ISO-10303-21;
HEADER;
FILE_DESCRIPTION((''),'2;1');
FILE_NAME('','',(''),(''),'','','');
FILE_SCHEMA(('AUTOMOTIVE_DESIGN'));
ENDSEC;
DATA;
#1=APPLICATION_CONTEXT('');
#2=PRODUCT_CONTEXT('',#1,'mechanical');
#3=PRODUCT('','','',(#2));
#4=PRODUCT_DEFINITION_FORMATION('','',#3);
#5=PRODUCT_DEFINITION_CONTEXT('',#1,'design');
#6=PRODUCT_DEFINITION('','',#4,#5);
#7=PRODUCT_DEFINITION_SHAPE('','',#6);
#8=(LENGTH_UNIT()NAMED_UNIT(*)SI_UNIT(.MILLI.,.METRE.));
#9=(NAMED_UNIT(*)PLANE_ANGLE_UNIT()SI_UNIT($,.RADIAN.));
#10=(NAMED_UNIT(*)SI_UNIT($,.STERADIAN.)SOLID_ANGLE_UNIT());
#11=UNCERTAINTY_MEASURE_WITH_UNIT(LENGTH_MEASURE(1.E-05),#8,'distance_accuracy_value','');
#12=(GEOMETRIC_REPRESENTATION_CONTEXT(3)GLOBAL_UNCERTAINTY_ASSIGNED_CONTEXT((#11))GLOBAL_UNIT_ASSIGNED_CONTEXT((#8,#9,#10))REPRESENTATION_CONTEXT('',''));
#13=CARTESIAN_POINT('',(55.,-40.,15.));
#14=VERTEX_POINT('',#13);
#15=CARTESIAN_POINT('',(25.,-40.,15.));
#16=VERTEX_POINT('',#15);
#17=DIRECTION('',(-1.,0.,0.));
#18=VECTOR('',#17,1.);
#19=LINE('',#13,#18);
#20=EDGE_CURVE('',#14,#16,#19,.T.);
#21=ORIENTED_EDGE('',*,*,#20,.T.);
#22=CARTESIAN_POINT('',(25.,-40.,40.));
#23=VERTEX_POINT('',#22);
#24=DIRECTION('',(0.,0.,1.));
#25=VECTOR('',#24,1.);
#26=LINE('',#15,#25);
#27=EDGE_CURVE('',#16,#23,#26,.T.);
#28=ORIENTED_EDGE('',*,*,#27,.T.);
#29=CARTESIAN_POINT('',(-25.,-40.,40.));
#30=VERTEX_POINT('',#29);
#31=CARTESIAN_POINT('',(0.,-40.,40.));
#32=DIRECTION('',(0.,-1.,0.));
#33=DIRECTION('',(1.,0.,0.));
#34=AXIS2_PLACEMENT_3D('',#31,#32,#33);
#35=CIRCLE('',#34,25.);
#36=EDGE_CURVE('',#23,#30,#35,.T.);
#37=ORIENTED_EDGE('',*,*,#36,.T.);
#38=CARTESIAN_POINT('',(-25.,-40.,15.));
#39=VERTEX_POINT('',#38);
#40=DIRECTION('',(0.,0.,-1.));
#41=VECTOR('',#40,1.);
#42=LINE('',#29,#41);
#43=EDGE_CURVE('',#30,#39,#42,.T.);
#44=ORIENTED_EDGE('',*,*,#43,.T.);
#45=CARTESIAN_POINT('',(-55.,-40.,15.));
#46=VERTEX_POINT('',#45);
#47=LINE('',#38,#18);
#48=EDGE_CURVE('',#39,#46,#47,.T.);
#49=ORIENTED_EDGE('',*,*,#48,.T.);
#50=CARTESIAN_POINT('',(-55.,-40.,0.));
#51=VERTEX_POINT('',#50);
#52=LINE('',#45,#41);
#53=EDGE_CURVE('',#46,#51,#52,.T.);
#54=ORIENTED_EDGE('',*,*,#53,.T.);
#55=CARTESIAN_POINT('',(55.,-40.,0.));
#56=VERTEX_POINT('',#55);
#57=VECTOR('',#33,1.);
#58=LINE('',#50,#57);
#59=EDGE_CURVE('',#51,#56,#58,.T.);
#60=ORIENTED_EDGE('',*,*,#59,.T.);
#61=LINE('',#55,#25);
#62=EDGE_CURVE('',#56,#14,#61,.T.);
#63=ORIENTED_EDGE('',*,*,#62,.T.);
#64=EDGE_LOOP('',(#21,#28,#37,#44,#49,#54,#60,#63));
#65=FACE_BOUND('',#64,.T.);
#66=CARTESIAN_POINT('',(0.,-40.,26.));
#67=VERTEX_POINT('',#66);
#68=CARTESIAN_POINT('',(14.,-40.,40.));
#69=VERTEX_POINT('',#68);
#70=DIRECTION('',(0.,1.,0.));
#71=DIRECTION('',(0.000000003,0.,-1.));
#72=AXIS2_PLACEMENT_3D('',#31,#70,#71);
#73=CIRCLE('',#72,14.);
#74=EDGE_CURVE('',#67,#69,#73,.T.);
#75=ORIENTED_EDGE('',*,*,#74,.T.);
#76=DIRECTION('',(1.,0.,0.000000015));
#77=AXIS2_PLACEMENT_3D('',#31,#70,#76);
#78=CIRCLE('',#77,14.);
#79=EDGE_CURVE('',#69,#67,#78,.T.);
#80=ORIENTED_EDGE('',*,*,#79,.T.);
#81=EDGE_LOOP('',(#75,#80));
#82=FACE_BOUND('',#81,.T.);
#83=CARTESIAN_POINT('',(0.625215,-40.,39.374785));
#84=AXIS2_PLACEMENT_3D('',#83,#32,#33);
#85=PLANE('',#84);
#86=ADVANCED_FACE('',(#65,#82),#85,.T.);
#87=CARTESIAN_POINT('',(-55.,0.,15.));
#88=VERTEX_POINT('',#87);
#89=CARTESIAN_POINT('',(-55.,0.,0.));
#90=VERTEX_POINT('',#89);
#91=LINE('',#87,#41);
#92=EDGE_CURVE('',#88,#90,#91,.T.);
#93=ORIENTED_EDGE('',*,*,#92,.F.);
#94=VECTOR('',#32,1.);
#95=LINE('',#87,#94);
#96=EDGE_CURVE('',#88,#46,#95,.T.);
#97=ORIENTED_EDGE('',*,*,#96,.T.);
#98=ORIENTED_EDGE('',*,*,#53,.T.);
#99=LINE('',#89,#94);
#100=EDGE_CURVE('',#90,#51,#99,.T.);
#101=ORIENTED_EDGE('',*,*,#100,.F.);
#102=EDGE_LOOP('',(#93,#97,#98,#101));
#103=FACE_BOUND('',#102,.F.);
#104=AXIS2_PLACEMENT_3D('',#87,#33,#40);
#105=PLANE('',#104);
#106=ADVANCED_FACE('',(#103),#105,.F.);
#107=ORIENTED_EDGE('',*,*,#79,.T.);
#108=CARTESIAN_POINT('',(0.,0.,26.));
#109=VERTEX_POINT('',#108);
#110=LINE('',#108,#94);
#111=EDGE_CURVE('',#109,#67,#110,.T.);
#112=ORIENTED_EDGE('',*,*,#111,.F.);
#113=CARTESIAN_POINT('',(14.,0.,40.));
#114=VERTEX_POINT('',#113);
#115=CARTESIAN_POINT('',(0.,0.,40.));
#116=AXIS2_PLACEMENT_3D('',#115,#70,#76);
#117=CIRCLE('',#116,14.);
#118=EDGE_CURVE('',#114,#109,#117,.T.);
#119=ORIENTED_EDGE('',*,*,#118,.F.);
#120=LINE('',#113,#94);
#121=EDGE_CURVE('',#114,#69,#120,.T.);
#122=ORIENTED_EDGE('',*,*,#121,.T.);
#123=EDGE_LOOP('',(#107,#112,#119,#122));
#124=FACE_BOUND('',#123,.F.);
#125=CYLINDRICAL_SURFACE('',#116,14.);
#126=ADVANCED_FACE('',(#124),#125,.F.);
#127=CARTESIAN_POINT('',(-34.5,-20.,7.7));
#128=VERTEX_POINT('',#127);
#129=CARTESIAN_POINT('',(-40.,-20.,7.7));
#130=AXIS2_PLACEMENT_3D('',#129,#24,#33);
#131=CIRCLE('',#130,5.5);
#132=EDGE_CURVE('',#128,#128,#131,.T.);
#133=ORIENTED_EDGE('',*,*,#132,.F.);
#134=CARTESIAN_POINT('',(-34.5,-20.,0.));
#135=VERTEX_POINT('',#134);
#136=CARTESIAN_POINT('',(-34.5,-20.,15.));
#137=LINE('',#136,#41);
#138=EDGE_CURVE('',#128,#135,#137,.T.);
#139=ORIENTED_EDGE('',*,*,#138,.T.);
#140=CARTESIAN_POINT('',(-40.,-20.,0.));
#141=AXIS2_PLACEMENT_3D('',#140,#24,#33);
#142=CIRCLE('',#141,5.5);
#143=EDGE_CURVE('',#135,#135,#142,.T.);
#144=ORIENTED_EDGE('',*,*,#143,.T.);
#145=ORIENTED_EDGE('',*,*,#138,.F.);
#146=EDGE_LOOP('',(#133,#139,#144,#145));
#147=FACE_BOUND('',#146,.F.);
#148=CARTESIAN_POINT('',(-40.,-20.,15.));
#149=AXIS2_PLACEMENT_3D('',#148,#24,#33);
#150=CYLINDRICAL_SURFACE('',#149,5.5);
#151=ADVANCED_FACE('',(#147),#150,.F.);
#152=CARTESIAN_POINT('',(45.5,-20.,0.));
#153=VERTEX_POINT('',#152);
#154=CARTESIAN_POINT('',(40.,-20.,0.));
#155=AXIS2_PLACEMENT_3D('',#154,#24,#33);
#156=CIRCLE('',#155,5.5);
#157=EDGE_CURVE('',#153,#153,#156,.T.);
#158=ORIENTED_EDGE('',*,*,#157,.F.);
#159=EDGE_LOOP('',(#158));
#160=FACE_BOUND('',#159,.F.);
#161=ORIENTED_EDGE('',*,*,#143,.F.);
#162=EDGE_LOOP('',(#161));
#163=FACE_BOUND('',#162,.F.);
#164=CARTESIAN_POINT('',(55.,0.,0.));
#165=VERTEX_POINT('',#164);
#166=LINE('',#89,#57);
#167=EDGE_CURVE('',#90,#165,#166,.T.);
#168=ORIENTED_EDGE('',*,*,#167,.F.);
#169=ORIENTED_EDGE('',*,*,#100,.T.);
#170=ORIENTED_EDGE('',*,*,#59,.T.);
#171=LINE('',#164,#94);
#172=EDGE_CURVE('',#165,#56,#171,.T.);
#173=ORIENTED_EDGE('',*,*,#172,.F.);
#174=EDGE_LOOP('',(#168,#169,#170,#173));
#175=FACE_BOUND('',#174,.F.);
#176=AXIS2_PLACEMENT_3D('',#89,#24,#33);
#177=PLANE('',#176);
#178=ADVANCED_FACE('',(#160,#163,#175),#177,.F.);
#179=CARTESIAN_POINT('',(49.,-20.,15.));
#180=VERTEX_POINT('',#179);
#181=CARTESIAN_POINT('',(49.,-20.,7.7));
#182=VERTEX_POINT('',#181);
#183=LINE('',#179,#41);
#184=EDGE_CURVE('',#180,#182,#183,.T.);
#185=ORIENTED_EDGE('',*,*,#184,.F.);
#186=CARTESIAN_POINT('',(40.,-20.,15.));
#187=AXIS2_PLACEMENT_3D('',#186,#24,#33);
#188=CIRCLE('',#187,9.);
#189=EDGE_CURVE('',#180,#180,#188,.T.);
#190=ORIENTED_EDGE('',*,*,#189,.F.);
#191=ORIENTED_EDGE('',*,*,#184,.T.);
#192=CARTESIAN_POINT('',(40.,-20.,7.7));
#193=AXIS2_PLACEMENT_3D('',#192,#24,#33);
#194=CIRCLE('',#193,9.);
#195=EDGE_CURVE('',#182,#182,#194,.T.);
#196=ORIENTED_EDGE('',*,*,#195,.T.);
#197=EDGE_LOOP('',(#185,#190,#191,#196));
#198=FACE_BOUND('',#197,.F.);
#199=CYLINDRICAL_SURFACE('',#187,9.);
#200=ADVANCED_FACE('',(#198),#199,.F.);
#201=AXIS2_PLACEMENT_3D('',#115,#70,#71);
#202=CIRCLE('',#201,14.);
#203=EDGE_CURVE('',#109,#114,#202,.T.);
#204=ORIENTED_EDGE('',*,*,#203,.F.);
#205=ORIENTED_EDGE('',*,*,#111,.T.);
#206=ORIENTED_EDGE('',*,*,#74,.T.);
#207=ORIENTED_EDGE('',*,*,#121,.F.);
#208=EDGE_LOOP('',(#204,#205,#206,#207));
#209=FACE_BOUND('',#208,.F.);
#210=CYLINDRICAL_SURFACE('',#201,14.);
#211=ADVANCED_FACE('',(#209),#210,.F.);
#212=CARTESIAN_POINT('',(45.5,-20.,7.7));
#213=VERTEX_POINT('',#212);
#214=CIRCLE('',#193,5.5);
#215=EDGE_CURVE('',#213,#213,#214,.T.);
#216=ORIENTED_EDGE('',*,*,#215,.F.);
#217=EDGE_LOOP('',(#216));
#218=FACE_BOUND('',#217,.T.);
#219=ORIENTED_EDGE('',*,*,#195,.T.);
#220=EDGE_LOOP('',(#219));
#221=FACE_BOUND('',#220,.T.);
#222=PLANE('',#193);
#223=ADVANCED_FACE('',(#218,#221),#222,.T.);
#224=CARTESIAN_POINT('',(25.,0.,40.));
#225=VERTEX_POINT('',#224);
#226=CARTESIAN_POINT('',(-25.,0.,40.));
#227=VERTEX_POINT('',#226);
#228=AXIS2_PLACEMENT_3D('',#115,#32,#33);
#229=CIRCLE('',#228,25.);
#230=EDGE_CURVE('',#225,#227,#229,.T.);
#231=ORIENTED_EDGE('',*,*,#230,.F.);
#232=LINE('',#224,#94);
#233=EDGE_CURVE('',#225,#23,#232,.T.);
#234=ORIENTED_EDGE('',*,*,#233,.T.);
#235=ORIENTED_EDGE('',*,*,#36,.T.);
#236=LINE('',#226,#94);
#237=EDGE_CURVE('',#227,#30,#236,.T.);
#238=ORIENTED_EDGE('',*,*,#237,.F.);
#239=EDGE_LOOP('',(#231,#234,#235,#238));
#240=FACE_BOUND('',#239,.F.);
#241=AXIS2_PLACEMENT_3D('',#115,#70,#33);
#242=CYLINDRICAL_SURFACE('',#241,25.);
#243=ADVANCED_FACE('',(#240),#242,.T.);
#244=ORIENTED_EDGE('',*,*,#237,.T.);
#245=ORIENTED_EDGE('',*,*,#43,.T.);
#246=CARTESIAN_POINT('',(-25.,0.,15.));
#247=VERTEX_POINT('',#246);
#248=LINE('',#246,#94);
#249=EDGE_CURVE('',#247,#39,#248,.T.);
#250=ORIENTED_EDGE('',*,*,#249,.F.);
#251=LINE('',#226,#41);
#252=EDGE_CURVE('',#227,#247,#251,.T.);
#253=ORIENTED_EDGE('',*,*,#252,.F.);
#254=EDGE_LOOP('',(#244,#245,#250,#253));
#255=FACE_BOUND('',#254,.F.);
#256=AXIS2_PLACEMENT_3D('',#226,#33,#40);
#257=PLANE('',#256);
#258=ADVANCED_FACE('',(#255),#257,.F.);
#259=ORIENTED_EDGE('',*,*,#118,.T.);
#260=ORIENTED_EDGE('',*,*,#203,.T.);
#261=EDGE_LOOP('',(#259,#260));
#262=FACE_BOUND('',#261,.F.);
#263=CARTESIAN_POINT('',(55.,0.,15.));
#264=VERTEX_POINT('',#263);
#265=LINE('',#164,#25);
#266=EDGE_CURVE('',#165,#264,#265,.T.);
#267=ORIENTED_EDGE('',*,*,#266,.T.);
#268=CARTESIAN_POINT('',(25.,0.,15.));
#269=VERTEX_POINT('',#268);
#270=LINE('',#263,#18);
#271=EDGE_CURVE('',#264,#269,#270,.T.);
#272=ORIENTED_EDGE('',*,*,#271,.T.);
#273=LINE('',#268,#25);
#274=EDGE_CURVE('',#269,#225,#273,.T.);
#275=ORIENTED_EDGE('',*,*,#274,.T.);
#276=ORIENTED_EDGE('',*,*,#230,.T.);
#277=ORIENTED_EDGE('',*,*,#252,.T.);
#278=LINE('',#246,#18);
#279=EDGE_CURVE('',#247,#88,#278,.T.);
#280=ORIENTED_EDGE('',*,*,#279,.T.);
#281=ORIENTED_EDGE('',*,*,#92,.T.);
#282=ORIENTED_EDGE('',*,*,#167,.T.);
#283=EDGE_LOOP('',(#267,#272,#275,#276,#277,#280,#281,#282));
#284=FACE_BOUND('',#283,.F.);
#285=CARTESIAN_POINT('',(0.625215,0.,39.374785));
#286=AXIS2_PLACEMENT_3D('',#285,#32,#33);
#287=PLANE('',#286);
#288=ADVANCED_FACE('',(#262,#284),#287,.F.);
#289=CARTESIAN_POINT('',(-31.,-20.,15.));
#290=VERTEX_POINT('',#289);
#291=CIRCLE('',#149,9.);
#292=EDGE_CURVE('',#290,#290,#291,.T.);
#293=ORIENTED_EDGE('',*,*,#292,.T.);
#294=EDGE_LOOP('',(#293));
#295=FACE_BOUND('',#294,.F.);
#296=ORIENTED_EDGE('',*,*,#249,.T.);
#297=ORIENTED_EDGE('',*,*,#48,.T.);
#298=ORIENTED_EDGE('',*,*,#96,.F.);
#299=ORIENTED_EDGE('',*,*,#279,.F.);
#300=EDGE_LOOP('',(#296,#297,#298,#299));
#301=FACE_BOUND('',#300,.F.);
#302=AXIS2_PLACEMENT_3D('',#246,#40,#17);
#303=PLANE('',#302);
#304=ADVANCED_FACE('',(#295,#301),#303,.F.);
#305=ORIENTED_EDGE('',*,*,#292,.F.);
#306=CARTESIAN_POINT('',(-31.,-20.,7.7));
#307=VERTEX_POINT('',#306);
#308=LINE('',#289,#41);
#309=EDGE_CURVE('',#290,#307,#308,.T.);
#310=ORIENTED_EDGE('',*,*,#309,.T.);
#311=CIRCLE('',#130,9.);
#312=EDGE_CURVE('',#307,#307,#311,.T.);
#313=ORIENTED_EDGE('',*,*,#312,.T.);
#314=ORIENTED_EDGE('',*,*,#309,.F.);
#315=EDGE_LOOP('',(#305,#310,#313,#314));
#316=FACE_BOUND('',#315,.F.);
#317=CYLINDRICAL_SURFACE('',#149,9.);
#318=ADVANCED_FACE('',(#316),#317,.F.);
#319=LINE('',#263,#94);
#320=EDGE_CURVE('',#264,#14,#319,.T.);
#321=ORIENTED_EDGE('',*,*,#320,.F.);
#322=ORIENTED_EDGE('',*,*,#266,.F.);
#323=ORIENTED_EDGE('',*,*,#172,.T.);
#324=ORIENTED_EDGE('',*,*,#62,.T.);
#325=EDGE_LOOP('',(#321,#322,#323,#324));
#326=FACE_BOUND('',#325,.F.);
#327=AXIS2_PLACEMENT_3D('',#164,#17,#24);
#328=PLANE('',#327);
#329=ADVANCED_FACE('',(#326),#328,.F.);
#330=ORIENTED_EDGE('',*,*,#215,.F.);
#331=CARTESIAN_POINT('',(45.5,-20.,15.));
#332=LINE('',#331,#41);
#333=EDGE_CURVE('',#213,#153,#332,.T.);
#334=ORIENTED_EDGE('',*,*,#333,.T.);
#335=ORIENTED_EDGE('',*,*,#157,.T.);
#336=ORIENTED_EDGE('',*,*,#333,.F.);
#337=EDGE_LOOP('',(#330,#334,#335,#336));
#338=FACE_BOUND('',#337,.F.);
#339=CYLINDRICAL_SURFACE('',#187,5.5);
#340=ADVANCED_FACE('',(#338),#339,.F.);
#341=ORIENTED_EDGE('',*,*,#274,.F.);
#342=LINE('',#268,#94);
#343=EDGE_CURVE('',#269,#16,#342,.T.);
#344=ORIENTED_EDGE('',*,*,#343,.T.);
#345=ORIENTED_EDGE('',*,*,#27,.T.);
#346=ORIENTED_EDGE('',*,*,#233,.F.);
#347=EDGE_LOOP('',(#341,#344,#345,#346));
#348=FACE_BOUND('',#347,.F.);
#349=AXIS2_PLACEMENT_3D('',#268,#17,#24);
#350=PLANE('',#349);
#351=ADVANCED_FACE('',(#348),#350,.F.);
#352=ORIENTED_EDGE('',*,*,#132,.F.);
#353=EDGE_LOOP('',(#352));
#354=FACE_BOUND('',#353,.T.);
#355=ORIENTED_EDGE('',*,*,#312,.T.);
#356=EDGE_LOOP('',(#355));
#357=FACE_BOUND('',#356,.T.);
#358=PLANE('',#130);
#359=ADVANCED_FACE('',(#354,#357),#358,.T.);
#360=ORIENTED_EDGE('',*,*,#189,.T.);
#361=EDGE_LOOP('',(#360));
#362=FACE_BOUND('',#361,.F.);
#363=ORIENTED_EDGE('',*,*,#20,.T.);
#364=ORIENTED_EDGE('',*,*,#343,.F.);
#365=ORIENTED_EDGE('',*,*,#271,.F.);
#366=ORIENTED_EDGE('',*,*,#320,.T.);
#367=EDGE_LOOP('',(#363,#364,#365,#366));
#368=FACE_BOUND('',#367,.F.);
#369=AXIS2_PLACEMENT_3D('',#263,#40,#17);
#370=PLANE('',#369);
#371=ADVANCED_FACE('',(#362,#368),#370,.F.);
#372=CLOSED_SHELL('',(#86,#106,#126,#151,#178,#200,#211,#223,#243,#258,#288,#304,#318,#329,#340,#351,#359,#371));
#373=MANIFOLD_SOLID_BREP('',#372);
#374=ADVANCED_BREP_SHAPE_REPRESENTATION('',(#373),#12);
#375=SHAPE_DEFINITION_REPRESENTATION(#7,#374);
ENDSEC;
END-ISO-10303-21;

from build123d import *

# Parameters (mm, degrees)
F1_DEPTH = 40
F2_R     = 5.5
F3_DEPTH = 25
F2_R_2   = 9
F4_DEPTH = 7.3


with BuildPart() as f1:
    # F0 (on Front) → F1 (new body)
    with BuildSketch(Plane.XZ):
        with BuildLine():
            ThreePointArc((14, 40), (-9.899495, 49.899495), (0, 26))
            ThreePointArc((0, 26), (9.899495, 30.100505), (14, 40))
        make_face()
        with BuildLine():
            Line((-55, 15), (-55, 0))
            Line((-55, 0), (0, 0))
            Line((0, 0), (55, 0))
            Line((55, 0), (55, 15))
            Line((55, 15), (25, 15))
            Line((25, 15), (25, 40))
            ThreePointArc((25, 40), (0, 65), (-25, 40))
            Line((-25, 40), (-25, 15))
            Line((-25, 15), (-55, 15))
        make_face()
        with BuildLine():
            ThreePointArc((14, 40), (9.899495, 30.100505), (0, 26))
            ThreePointArc((0, 26), (-9.899495, 49.899495), (14, 40))
        make_face(mode=Mode.SUBTRACT)
    extrude(amount=F1_DEPTH)

    # F2 (on face) → F3 (cut)
    with BuildSketch(Plane.XY.offset(15)):
        with Locations((-40, -20)):
            Circle(F2_R)
        with Locations((40, -20)):
            Circle(F2_R)
    extrude(amount=-F3_DEPTH, mode=Mode.SUBTRACT)

    # F2 (on face) → F4 (cut)
    with BuildSketch(Plane.XY.offset(15)):
        with Locations((-40, -20)):
            Circle(F2_R_2)
        with Locations((-40, -20)):
            Circle(F2_R, mode=Mode.SUBTRACT)
        with Locations((40, -20)):
            Circle(F2_R_2)
        with Locations((40, -20)):
            Circle(F2_R, mode=Mode.SUBTRACT)
    extrude(amount=-F4_DEPTH, mode=Mode.SUBTRACT)


solid = f1.part
